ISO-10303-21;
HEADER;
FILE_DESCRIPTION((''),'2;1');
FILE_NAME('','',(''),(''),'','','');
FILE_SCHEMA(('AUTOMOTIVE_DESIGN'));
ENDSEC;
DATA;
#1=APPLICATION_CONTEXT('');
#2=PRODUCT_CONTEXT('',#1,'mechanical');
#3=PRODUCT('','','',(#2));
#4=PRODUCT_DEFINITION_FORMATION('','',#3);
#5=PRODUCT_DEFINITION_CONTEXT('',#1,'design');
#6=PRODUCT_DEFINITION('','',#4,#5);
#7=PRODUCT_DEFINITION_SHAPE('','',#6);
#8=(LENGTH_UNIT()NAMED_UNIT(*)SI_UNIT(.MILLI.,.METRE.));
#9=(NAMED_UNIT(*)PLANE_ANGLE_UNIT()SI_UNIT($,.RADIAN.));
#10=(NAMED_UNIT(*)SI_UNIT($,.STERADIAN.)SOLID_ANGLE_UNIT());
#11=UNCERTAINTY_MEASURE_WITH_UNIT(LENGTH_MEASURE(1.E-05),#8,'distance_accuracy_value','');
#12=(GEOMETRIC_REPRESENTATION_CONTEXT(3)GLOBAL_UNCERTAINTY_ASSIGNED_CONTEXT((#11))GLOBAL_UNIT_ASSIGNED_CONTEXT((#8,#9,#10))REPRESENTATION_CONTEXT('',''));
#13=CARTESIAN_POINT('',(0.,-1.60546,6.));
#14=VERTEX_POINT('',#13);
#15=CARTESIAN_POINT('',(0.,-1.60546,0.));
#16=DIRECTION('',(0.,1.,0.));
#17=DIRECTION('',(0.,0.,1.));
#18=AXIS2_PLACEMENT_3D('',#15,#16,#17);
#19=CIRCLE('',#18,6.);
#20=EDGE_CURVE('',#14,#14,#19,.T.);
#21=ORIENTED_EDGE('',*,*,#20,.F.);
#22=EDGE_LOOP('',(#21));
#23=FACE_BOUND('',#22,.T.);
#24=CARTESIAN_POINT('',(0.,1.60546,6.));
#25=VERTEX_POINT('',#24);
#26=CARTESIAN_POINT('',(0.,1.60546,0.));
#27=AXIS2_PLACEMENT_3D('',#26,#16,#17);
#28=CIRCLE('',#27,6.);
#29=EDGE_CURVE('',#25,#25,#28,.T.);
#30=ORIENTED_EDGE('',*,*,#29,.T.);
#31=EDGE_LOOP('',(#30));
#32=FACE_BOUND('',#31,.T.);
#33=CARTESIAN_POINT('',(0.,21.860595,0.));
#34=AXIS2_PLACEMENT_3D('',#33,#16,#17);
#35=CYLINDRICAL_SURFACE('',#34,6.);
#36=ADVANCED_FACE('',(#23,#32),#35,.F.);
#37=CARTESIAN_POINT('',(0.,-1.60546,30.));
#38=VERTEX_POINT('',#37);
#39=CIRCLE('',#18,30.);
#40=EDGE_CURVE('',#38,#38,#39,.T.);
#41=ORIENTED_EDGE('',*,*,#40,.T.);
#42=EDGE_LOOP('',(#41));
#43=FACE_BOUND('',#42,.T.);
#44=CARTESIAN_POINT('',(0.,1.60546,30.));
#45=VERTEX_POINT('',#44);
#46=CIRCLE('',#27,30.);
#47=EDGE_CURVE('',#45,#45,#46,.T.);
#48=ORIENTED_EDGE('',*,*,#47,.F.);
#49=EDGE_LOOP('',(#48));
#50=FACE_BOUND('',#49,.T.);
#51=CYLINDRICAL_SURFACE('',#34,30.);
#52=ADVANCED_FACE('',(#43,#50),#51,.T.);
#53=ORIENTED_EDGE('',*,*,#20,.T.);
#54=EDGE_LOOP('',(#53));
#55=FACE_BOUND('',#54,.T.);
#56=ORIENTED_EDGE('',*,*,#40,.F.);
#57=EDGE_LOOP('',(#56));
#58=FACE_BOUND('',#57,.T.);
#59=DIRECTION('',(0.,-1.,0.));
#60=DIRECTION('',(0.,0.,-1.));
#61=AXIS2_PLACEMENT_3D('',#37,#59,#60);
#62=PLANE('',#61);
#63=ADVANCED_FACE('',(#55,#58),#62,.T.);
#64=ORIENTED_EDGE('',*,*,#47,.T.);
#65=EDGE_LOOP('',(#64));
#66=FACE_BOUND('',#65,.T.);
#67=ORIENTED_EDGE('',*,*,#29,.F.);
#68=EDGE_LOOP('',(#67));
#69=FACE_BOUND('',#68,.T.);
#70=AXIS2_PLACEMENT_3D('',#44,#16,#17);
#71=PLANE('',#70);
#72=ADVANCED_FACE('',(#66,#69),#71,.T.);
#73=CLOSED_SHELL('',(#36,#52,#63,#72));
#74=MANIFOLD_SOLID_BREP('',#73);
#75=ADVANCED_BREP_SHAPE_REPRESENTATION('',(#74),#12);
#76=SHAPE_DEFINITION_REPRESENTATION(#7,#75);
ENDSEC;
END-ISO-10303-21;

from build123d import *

# Parameters (mm, degrees)
SKETCH1_W = 24
SKETCH1_H = 3.210919522


with BuildPart() as part:
    # Sketch1 → Revolve1 (revolve)
    with BuildSketch(Plane(origin=(0, 0, 0), x_dir=(0, 0, -1), z_dir=(1, 0, 0))):
        with Locations((-18, 0)):
            Rectangle(SKETCH1_W, SKETCH1_H)
    revolve(axis=Axis((0, 21.860595279, 0), (0, -1, 0)))


solid = part.part
